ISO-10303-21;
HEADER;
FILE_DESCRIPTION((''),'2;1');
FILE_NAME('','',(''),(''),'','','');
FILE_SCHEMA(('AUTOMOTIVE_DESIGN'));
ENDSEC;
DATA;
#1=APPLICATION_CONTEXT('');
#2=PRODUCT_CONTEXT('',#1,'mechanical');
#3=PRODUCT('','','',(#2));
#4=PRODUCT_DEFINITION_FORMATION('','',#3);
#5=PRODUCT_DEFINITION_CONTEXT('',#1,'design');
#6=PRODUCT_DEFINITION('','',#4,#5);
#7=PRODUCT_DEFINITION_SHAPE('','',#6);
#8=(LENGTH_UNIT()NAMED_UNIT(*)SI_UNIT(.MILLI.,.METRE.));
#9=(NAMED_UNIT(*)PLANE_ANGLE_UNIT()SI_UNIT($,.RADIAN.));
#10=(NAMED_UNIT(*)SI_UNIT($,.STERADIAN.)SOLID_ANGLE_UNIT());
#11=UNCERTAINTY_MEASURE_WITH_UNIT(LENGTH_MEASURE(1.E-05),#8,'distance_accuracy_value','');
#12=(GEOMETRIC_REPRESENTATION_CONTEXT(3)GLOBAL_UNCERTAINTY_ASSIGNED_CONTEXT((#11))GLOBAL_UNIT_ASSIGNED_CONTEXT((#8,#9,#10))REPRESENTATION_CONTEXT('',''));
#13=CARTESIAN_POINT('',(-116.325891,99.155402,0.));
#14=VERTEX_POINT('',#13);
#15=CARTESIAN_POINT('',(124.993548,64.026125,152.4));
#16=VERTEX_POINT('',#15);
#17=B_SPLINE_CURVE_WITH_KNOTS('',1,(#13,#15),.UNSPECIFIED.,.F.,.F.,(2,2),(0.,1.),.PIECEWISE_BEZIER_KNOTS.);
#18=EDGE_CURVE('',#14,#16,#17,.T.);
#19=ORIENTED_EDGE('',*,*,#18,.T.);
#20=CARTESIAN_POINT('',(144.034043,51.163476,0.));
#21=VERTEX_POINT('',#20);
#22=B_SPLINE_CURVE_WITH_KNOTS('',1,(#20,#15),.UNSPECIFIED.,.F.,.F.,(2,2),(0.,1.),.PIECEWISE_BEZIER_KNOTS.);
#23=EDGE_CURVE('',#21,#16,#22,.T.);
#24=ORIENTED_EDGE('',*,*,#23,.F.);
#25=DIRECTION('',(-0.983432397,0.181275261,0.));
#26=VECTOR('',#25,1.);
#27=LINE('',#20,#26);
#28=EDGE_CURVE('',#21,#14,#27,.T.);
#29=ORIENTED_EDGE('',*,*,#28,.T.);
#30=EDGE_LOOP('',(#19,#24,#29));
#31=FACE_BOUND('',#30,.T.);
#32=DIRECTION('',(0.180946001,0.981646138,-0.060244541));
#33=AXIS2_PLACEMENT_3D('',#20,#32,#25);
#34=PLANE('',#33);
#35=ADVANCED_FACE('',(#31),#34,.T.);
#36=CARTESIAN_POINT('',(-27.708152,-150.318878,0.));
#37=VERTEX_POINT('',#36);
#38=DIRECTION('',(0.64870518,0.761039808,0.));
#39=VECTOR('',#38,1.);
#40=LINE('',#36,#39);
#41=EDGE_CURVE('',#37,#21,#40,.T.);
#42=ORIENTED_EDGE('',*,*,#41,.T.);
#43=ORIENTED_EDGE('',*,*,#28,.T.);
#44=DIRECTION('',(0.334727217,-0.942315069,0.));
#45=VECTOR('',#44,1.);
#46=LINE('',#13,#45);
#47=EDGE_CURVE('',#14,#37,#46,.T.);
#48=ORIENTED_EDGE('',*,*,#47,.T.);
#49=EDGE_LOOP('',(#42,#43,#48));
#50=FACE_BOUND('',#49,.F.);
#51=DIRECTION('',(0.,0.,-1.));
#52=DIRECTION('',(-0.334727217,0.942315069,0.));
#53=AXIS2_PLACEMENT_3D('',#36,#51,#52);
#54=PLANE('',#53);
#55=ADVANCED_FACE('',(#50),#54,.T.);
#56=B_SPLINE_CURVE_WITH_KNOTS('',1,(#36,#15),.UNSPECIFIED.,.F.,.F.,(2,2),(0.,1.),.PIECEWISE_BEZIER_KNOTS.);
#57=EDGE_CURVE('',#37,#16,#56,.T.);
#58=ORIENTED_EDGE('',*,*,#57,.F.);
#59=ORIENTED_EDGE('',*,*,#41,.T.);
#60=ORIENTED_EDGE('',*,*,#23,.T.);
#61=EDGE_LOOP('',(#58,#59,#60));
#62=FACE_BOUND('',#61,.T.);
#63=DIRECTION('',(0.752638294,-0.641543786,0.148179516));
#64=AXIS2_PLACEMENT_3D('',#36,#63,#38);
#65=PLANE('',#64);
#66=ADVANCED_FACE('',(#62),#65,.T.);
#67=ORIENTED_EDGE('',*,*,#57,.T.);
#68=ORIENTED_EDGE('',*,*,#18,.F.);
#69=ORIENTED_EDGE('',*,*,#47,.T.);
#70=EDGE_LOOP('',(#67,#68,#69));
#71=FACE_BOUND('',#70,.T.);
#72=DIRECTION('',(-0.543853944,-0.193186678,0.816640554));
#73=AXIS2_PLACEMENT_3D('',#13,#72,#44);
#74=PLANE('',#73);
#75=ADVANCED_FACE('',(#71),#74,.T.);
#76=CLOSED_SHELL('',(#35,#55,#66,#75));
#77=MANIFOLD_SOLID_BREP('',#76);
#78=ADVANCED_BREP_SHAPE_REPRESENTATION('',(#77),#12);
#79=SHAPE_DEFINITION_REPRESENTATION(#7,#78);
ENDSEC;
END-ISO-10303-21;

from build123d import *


with BuildPart() as f3:
    # F0 (on Top) → F3 section 0
    with BuildSketch(Plane.XY, mode=Mode.PRIVATE) as f3_s0:
        Polygon((-27.7081515495, -150.3188781886), (144.0340429544, 51.1634759605), (-116.3258914049, 99.1554022281), align=None)
    loft([f3_s0.sketch, Vertex(124.9935477972, 64.0261247754, 152.4)])


solid = f3.part
